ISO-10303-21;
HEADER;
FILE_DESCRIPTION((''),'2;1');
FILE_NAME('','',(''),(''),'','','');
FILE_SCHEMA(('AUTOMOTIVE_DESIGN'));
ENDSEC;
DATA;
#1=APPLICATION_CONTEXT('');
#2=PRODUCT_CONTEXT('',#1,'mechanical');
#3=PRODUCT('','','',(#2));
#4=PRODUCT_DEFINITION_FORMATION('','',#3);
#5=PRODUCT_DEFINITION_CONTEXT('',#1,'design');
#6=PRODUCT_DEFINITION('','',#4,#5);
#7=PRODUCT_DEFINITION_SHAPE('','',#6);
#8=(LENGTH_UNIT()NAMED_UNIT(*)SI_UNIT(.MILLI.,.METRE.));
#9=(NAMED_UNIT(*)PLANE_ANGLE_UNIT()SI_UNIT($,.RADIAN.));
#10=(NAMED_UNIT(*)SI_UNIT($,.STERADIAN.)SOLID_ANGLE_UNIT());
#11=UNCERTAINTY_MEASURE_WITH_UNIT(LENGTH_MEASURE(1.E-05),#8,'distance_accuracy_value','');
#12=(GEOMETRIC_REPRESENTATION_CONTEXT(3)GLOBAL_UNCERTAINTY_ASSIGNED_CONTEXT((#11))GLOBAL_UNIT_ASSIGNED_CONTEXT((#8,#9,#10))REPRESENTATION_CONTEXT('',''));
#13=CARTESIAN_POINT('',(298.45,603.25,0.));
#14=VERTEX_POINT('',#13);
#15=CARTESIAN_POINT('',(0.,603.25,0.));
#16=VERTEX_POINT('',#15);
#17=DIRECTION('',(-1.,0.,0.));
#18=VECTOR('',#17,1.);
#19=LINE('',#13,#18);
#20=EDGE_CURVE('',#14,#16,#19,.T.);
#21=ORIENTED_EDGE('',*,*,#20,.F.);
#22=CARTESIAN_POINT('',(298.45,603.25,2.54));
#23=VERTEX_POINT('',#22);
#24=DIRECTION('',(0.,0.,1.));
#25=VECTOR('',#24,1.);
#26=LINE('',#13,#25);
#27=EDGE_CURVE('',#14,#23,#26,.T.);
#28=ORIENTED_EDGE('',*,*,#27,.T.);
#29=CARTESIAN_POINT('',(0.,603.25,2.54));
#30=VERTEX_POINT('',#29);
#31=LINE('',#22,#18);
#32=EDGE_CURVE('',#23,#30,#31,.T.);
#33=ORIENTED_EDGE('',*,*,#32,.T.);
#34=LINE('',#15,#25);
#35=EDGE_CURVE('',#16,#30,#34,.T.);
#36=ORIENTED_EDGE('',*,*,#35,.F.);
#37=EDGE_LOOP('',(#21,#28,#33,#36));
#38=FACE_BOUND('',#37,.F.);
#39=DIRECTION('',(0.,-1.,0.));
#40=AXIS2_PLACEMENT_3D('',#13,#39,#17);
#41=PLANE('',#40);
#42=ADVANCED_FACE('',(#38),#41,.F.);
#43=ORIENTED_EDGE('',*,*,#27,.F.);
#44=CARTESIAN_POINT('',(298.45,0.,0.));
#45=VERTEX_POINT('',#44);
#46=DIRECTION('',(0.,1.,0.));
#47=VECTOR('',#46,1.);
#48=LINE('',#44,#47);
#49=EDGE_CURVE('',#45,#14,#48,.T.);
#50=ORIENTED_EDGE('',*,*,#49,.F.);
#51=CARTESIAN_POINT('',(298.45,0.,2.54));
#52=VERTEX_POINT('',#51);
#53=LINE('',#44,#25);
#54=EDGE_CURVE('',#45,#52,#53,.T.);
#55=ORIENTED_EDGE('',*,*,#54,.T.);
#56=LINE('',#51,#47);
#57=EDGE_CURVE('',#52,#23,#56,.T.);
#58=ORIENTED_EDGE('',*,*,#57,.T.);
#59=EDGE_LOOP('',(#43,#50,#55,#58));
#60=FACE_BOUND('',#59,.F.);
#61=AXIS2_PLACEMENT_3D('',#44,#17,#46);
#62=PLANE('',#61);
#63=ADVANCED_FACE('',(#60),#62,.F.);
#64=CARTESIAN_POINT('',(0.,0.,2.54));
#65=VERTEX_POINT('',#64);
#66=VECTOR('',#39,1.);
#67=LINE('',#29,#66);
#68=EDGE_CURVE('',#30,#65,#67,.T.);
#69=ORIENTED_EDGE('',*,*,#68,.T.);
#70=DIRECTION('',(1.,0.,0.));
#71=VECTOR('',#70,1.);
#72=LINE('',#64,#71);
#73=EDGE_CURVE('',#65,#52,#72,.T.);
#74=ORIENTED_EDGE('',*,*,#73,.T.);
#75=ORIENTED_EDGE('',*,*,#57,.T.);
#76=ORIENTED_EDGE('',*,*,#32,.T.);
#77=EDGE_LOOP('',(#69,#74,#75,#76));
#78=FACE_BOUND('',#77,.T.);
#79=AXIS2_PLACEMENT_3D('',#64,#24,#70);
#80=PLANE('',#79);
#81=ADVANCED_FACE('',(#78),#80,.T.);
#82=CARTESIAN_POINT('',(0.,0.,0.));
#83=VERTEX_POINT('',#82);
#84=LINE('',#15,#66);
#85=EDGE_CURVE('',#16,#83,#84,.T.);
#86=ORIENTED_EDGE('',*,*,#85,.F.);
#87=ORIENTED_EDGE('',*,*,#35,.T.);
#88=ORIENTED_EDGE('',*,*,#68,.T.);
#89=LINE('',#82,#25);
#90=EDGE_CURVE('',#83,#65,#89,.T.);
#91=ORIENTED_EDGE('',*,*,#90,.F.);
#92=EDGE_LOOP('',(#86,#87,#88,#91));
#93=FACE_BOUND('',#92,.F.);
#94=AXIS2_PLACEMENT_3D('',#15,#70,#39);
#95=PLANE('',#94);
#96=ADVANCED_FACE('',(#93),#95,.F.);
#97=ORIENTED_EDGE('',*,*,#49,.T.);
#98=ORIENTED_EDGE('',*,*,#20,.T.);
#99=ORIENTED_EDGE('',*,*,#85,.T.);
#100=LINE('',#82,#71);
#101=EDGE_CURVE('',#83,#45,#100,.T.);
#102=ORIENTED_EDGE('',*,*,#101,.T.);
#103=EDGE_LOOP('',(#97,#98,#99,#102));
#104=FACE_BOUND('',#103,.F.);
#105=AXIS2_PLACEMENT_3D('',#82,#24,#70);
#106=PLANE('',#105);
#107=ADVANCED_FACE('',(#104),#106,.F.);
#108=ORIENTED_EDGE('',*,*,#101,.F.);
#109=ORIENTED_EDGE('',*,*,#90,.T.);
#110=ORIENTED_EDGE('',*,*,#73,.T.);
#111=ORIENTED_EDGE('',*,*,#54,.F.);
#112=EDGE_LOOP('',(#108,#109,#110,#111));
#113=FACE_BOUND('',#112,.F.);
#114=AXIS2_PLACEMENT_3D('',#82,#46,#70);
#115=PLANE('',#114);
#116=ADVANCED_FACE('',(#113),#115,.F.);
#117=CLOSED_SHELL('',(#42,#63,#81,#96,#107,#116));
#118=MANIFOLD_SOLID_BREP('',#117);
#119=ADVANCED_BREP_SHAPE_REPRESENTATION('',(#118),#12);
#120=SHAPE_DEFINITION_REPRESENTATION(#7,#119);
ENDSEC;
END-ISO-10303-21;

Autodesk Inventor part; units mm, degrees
ref_plane "YZ Plane" through (0, 0, 0) normal (1, 0, 0) x (0, 1, 0)
ref_plane "XZ Plane" through (0, 0, 0) normal (0, 1, 0) x (-1, 0, 0)
ref_plane "XY Plane" through (0, 0, 0) normal (0, 0, 1) x (1, 0, 0)
sketch "Sketch1" plane through (0, 0, 0) normal (0, 0, 1) x (1, 0, 0)
  line L0 (0, 0) -> (298.45, 0)
  line L1 (298.45, 0) -> (298.45, 603.25)
  line L2 (298.45, 603.25) -> (0, 603.25)
  line L3 (0, 603.25) -> (0, 0)
  dimension "d0" = 298.45
  dimension "d1" = 603.25
extrude "Extrusion1" add sketch "Sketch1" along normal blind 2.54
properties part number "Screen"
